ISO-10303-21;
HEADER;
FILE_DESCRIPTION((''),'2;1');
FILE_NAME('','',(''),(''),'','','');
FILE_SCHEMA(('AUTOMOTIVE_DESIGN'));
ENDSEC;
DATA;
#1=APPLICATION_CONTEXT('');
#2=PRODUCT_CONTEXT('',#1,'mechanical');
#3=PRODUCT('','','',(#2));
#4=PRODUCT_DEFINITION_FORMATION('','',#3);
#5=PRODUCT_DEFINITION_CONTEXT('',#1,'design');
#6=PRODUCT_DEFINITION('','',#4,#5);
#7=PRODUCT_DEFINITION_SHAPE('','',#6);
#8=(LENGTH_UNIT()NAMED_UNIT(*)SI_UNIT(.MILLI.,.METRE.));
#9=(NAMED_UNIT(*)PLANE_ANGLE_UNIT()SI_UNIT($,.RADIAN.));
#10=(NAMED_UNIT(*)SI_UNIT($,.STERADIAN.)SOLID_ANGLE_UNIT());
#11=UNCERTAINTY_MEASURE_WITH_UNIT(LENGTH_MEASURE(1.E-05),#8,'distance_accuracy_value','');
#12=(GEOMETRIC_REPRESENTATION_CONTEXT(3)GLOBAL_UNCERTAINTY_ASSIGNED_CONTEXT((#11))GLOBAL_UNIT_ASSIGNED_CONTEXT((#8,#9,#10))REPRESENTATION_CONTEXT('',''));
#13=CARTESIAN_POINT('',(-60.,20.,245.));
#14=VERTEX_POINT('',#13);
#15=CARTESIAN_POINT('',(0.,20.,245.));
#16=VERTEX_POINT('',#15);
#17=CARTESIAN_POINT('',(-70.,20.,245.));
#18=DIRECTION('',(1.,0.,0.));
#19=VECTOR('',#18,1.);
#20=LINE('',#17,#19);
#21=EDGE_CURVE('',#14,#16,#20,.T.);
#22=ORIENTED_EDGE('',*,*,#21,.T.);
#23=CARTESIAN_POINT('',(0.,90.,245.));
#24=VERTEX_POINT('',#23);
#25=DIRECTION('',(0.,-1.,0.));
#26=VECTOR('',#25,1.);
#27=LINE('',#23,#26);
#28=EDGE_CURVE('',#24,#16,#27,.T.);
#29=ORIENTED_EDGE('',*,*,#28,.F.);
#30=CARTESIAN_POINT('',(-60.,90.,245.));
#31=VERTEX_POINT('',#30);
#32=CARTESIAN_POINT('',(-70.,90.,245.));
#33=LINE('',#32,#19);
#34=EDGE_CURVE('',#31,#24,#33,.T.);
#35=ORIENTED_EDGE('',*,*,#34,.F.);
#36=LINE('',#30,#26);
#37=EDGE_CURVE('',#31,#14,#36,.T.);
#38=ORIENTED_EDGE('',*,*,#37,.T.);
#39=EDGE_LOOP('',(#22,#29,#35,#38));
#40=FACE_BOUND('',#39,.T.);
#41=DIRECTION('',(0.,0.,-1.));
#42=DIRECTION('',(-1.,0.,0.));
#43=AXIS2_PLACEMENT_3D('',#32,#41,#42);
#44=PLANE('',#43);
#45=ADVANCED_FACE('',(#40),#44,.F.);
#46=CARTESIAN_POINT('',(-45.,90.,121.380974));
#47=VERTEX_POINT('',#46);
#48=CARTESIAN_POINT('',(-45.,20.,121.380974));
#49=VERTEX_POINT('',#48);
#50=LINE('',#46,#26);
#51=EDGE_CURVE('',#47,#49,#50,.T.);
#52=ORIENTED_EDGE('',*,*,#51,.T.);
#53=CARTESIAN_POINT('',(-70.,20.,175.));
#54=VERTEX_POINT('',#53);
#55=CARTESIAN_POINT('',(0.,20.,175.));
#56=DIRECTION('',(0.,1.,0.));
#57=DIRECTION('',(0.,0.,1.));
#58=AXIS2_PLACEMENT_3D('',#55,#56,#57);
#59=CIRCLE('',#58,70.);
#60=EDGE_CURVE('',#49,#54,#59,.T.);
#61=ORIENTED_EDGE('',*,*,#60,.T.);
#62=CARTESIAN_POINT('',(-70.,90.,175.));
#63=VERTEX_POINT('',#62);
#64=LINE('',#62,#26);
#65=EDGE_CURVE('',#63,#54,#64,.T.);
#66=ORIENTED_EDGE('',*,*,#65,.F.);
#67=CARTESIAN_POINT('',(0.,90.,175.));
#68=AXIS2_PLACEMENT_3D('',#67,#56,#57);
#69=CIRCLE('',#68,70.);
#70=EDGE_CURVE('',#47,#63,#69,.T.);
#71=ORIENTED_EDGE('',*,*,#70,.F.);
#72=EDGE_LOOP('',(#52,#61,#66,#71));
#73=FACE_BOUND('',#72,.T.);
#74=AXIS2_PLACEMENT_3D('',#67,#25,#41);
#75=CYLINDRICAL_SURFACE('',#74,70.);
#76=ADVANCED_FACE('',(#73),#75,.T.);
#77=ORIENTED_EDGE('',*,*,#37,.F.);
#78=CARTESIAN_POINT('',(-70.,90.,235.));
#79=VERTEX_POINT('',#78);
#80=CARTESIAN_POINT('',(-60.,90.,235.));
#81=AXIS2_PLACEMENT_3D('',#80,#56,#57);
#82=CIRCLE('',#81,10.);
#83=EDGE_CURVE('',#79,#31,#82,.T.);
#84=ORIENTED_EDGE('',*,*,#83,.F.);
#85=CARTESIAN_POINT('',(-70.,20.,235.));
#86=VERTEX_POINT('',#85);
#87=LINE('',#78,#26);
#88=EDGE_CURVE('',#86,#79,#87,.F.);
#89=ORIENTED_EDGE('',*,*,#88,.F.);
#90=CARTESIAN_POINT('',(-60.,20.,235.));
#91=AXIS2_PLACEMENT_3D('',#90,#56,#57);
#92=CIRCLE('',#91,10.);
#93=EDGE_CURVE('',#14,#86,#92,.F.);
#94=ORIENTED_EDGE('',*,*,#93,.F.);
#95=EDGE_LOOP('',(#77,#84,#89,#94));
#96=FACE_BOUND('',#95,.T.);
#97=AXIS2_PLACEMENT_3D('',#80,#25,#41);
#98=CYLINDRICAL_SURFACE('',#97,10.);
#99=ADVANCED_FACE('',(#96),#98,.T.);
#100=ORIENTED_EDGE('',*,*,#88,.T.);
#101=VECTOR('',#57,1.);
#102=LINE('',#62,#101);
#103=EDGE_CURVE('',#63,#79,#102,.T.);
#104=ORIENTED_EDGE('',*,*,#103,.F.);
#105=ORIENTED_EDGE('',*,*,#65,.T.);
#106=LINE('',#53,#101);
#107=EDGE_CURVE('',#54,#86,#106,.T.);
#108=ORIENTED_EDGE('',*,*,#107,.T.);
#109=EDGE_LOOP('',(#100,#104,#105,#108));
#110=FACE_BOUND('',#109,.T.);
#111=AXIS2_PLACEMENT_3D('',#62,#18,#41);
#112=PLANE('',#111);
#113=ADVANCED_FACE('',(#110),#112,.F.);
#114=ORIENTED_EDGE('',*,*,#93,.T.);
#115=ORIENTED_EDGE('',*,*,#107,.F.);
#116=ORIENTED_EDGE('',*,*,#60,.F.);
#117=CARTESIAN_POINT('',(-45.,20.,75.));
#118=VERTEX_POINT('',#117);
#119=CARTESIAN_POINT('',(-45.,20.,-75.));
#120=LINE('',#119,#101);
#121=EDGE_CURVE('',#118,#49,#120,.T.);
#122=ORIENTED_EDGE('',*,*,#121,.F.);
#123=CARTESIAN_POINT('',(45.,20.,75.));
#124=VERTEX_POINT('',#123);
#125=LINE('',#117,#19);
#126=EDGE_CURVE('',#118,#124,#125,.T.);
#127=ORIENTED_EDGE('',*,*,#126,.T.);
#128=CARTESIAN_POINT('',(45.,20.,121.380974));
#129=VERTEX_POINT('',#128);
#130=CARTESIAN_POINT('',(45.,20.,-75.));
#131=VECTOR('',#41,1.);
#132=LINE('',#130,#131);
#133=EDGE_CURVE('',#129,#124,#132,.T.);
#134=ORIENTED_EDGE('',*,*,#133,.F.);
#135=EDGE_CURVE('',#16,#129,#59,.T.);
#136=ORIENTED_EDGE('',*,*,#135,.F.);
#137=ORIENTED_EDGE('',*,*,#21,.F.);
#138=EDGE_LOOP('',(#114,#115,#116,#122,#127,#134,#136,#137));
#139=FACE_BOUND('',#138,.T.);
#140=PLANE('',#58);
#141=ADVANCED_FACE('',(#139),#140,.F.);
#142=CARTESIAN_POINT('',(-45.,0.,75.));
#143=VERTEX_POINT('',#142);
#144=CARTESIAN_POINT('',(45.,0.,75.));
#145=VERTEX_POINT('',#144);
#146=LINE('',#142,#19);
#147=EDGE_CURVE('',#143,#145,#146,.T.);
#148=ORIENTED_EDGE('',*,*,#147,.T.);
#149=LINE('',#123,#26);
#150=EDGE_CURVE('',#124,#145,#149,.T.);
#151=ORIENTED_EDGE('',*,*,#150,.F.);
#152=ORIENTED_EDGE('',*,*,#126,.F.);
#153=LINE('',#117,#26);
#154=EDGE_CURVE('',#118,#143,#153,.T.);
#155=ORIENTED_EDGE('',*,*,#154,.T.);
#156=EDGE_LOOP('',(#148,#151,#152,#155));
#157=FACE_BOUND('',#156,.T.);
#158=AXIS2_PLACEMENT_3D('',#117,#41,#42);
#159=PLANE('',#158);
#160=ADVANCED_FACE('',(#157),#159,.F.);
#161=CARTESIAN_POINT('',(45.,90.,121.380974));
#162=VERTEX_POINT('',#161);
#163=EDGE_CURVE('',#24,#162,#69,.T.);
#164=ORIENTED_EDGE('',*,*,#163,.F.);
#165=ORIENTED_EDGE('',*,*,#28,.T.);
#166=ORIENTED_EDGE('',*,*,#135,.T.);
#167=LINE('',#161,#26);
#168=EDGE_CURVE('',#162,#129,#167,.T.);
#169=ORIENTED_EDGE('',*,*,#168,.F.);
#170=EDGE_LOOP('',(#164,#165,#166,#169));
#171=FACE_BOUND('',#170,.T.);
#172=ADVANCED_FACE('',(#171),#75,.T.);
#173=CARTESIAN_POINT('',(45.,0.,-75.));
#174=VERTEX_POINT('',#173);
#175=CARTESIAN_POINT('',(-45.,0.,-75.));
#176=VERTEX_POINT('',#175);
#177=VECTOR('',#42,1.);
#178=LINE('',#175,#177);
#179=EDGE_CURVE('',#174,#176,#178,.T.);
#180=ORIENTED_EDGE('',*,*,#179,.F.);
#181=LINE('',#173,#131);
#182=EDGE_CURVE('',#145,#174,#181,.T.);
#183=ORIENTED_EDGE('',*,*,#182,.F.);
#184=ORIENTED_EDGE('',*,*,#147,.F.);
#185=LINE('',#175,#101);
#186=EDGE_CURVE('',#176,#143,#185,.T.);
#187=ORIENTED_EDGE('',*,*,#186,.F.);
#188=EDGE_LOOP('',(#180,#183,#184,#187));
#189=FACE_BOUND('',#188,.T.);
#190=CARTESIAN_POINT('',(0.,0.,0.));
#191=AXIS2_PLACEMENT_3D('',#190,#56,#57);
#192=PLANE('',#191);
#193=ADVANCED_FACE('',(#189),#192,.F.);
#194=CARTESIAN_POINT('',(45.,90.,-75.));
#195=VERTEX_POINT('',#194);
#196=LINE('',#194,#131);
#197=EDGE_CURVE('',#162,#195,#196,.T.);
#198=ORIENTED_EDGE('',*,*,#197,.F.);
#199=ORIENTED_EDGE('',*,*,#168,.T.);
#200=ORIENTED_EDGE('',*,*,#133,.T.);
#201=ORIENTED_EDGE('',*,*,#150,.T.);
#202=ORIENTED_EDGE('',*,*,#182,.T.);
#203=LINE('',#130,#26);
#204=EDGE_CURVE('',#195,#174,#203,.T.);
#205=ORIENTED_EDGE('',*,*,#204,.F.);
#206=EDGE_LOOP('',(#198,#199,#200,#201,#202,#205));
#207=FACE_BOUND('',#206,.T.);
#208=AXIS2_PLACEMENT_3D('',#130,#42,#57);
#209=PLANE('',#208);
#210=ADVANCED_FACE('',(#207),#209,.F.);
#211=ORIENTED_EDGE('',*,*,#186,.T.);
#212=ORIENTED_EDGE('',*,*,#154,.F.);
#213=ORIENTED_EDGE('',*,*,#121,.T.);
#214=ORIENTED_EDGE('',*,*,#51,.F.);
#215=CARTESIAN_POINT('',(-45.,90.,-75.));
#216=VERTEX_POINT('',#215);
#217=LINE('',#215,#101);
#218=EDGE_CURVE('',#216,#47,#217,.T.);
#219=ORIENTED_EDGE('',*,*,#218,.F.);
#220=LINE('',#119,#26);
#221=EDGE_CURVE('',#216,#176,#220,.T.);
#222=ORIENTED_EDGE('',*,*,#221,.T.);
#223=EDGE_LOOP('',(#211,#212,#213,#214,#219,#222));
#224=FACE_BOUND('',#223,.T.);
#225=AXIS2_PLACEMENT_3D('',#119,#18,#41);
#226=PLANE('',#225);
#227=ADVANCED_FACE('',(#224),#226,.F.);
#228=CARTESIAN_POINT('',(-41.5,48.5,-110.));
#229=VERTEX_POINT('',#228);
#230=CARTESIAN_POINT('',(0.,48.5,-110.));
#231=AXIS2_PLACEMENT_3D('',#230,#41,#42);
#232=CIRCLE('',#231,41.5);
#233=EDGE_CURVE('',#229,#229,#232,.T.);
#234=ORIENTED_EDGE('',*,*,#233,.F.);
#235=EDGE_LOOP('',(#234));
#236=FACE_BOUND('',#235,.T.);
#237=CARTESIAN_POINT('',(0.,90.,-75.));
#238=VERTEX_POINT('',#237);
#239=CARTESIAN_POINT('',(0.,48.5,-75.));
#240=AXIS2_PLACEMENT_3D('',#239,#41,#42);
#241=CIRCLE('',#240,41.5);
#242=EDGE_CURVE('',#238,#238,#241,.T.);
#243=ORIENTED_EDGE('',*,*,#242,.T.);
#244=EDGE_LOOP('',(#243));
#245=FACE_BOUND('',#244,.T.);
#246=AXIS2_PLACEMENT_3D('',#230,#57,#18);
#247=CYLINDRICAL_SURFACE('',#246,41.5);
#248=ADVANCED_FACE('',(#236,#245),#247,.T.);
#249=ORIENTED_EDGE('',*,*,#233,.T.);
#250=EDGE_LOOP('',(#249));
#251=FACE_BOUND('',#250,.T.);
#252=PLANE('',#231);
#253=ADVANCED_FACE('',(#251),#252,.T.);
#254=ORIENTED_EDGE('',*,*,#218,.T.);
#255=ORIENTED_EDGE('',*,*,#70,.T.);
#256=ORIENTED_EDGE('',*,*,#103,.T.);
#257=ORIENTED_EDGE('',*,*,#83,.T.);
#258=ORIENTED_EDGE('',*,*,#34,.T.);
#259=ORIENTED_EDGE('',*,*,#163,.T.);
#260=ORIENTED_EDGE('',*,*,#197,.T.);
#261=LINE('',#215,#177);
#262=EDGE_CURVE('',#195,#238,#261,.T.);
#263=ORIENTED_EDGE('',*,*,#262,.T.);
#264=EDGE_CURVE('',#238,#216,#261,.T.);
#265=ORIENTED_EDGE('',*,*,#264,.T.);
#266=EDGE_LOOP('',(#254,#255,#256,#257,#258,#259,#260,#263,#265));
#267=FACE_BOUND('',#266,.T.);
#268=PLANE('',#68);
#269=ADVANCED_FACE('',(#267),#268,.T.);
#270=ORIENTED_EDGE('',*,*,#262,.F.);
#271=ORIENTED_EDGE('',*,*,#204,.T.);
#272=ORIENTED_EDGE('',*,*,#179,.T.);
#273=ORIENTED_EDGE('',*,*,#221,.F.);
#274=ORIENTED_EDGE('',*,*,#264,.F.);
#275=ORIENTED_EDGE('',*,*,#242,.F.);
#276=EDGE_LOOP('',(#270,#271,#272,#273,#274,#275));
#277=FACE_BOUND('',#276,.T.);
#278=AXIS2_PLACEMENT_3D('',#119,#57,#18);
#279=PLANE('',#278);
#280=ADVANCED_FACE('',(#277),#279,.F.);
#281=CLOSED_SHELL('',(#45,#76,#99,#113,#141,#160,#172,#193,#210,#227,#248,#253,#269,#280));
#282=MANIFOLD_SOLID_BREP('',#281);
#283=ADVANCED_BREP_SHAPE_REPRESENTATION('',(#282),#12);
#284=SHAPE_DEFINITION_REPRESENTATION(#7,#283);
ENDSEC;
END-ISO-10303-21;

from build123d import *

# Parameters (mm, degrees)
SKETCH2_W           = 90
SKETCH2_H           = 150
BOSS_EXTRUDE1_DEPTH = 20
BOSS_EXTRUDE2_DEPTH = 70
FILLET1_R           = 10
SKETCH4_R           = 41.5
BOSS_EXTRUDE3_DEPTH = 35


with BuildPart() as part:
    # Sketch2 → Boss-Extrude1 (new body)
    with BuildSketch(Plane(origin=(0, 0, 0), x_dir=(1, 0, 0), z_dir=(0, 1, 0))):
        Rectangle(SKETCH2_W, SKETCH2_H)
    extrude(amount=BOSS_EXTRUDE1_DEPTH)

    # Sketch3 → Boss-Extrude2 (add)
    with BuildSketch(Plane(origin=(0, 20, 0), x_dir=(1, 0, 0), z_dir=(0, 1, 0))):
        with BuildLine():
            Line((-45, 75), (45, 75))
            Line((45, 75), (45, -121.380973526))
            ThreePointArc((45, -121.380973526), (65.777396776, -198.944395449), (0, -245))
            Line((0, -245), (-70, -245))
            Line((-70, -245), (-70, -175))
            ThreePointArc((-70, -175), (-63.442887702, -145.419601085), (-45, -121.380973526))
            Line((-45, -121.380973526), (-45, 75))
        make_face()
    extrude(amount=BOSS_EXTRUDE2_DEPTH)

    # Fillet1
    fillet1_edges = [part.edges().sort_by_distance(p)[0] for p in [
        (-70, 55, 245),
    ]]
    fillet(fillet1_edges, radius=FILLET1_R)

    # Sketch4 → Boss-Extrude3 (add)
    with BuildSketch(Plane(origin=(0, 0, -75), x_dir=(-1, 0, 0), z_dir=(0, 0, -1))):
        with Locations((0, 48.5)):
            Circle(SKETCH4_R)
    extrude(amount=BOSS_EXTRUDE3_DEPTH)


solid = part.part
